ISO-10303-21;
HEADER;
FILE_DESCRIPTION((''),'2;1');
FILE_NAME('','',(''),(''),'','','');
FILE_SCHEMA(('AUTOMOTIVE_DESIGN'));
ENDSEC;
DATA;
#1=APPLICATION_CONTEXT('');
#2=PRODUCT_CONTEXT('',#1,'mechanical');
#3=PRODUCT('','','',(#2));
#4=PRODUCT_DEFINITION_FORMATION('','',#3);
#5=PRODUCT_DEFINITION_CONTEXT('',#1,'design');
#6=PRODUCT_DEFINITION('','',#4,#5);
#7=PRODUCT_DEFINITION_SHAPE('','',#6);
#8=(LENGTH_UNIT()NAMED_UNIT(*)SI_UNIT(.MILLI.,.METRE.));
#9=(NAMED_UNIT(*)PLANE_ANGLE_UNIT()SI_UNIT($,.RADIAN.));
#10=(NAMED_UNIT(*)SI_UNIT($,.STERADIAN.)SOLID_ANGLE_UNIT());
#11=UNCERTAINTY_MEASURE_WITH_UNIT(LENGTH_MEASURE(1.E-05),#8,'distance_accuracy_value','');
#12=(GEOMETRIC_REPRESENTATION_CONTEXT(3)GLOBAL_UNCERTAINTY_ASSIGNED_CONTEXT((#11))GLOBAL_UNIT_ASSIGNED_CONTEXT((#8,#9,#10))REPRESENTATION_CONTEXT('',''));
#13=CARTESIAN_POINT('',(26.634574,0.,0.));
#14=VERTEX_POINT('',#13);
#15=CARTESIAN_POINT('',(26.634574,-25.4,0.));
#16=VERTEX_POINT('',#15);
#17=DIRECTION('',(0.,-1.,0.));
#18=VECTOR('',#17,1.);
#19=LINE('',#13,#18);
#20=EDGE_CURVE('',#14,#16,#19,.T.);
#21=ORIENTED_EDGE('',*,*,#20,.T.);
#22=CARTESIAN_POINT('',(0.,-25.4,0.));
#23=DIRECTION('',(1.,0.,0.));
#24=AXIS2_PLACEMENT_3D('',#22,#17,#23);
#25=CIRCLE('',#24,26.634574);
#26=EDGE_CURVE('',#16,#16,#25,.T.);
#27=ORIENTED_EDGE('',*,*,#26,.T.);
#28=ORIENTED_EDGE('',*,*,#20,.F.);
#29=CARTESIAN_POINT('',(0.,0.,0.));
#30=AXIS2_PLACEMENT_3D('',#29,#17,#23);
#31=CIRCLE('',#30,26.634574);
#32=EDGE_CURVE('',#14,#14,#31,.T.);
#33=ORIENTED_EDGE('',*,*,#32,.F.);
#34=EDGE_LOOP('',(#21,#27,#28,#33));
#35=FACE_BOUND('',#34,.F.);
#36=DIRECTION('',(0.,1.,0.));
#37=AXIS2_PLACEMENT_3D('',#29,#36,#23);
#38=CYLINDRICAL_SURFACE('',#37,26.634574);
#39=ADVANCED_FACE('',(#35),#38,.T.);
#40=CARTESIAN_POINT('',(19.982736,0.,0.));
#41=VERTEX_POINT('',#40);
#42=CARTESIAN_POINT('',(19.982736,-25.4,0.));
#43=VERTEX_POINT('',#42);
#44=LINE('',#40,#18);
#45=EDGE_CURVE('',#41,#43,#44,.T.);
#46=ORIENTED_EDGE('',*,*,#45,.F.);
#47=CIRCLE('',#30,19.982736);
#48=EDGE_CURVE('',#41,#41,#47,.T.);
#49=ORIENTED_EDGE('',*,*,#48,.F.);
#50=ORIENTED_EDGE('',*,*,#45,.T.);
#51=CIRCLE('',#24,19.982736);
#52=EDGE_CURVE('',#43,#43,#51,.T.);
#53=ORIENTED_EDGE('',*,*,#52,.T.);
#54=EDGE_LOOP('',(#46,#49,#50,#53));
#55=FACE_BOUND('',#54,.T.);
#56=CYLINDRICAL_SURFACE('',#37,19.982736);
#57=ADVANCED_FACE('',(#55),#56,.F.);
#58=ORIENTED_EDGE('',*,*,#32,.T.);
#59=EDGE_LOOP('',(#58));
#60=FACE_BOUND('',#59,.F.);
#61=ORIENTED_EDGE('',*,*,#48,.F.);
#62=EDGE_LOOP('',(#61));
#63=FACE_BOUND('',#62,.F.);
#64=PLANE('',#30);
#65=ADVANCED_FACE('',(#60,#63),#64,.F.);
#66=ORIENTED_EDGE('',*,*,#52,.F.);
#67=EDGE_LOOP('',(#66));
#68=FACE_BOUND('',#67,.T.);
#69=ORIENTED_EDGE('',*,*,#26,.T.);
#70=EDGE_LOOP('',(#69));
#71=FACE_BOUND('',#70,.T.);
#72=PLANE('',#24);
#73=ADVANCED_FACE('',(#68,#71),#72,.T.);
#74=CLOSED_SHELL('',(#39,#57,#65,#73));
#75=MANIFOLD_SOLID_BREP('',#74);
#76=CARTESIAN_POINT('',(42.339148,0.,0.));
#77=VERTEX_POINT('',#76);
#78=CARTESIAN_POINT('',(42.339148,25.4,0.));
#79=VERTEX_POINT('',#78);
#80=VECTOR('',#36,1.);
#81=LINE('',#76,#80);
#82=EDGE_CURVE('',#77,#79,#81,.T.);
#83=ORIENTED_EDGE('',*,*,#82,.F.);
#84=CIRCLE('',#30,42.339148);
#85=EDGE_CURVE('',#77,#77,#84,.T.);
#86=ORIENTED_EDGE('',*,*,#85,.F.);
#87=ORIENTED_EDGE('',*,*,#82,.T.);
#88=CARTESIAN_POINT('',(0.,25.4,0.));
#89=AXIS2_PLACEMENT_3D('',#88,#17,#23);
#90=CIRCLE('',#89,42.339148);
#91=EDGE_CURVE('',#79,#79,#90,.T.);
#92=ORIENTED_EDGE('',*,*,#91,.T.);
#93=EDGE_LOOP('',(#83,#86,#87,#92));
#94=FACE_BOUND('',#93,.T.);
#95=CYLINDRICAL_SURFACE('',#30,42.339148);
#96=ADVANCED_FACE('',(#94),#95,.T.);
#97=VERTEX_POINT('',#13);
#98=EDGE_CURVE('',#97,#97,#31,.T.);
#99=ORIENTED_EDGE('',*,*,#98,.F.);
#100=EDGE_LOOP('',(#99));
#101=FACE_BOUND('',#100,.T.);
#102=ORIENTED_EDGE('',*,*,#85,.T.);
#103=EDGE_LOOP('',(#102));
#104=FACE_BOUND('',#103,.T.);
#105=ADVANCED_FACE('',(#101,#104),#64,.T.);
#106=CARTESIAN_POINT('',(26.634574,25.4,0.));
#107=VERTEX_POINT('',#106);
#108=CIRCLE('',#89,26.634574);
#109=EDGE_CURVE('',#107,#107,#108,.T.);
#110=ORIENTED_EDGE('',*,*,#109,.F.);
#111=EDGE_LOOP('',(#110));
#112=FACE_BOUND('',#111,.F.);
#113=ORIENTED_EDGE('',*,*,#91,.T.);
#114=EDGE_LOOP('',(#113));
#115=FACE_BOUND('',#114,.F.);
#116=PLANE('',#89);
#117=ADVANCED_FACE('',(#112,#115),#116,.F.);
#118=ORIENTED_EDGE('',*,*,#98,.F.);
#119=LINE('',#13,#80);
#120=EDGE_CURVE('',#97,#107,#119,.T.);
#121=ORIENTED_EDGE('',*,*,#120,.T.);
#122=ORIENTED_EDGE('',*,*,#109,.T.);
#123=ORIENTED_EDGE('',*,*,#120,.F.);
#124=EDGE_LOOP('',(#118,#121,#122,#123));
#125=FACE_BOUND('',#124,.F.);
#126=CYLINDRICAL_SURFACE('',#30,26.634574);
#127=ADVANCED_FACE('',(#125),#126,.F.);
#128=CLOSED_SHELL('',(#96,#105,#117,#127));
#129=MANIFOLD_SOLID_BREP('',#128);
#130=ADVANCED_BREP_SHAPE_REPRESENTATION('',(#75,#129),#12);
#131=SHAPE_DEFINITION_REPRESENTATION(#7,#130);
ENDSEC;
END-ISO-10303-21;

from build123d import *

# Parameters (mm, degrees)
F0_R     = 26.634574
F0_R_2   = 19.982736
F1_DEPTH = 25.4
F0_R_3   = 42.339148
F2_DEPTH = 25.4


with BuildPart() as f1:
    # F0 (on Front) → F1 (new body)
    with BuildSketch(Plane.XZ):
        Circle(F0_R)
        Circle(F0_R_2, mode=Mode.SUBTRACT)
    extrude(amount=F1_DEPTH)

    # F0 (on Front) → F2 (join)
    with BuildSketch(Plane.XZ):
        Circle(F0_R_3)
        Circle(F0_R, mode=Mode.SUBTRACT)
    extrude(amount=-F2_DEPTH)


solid = f1.part
